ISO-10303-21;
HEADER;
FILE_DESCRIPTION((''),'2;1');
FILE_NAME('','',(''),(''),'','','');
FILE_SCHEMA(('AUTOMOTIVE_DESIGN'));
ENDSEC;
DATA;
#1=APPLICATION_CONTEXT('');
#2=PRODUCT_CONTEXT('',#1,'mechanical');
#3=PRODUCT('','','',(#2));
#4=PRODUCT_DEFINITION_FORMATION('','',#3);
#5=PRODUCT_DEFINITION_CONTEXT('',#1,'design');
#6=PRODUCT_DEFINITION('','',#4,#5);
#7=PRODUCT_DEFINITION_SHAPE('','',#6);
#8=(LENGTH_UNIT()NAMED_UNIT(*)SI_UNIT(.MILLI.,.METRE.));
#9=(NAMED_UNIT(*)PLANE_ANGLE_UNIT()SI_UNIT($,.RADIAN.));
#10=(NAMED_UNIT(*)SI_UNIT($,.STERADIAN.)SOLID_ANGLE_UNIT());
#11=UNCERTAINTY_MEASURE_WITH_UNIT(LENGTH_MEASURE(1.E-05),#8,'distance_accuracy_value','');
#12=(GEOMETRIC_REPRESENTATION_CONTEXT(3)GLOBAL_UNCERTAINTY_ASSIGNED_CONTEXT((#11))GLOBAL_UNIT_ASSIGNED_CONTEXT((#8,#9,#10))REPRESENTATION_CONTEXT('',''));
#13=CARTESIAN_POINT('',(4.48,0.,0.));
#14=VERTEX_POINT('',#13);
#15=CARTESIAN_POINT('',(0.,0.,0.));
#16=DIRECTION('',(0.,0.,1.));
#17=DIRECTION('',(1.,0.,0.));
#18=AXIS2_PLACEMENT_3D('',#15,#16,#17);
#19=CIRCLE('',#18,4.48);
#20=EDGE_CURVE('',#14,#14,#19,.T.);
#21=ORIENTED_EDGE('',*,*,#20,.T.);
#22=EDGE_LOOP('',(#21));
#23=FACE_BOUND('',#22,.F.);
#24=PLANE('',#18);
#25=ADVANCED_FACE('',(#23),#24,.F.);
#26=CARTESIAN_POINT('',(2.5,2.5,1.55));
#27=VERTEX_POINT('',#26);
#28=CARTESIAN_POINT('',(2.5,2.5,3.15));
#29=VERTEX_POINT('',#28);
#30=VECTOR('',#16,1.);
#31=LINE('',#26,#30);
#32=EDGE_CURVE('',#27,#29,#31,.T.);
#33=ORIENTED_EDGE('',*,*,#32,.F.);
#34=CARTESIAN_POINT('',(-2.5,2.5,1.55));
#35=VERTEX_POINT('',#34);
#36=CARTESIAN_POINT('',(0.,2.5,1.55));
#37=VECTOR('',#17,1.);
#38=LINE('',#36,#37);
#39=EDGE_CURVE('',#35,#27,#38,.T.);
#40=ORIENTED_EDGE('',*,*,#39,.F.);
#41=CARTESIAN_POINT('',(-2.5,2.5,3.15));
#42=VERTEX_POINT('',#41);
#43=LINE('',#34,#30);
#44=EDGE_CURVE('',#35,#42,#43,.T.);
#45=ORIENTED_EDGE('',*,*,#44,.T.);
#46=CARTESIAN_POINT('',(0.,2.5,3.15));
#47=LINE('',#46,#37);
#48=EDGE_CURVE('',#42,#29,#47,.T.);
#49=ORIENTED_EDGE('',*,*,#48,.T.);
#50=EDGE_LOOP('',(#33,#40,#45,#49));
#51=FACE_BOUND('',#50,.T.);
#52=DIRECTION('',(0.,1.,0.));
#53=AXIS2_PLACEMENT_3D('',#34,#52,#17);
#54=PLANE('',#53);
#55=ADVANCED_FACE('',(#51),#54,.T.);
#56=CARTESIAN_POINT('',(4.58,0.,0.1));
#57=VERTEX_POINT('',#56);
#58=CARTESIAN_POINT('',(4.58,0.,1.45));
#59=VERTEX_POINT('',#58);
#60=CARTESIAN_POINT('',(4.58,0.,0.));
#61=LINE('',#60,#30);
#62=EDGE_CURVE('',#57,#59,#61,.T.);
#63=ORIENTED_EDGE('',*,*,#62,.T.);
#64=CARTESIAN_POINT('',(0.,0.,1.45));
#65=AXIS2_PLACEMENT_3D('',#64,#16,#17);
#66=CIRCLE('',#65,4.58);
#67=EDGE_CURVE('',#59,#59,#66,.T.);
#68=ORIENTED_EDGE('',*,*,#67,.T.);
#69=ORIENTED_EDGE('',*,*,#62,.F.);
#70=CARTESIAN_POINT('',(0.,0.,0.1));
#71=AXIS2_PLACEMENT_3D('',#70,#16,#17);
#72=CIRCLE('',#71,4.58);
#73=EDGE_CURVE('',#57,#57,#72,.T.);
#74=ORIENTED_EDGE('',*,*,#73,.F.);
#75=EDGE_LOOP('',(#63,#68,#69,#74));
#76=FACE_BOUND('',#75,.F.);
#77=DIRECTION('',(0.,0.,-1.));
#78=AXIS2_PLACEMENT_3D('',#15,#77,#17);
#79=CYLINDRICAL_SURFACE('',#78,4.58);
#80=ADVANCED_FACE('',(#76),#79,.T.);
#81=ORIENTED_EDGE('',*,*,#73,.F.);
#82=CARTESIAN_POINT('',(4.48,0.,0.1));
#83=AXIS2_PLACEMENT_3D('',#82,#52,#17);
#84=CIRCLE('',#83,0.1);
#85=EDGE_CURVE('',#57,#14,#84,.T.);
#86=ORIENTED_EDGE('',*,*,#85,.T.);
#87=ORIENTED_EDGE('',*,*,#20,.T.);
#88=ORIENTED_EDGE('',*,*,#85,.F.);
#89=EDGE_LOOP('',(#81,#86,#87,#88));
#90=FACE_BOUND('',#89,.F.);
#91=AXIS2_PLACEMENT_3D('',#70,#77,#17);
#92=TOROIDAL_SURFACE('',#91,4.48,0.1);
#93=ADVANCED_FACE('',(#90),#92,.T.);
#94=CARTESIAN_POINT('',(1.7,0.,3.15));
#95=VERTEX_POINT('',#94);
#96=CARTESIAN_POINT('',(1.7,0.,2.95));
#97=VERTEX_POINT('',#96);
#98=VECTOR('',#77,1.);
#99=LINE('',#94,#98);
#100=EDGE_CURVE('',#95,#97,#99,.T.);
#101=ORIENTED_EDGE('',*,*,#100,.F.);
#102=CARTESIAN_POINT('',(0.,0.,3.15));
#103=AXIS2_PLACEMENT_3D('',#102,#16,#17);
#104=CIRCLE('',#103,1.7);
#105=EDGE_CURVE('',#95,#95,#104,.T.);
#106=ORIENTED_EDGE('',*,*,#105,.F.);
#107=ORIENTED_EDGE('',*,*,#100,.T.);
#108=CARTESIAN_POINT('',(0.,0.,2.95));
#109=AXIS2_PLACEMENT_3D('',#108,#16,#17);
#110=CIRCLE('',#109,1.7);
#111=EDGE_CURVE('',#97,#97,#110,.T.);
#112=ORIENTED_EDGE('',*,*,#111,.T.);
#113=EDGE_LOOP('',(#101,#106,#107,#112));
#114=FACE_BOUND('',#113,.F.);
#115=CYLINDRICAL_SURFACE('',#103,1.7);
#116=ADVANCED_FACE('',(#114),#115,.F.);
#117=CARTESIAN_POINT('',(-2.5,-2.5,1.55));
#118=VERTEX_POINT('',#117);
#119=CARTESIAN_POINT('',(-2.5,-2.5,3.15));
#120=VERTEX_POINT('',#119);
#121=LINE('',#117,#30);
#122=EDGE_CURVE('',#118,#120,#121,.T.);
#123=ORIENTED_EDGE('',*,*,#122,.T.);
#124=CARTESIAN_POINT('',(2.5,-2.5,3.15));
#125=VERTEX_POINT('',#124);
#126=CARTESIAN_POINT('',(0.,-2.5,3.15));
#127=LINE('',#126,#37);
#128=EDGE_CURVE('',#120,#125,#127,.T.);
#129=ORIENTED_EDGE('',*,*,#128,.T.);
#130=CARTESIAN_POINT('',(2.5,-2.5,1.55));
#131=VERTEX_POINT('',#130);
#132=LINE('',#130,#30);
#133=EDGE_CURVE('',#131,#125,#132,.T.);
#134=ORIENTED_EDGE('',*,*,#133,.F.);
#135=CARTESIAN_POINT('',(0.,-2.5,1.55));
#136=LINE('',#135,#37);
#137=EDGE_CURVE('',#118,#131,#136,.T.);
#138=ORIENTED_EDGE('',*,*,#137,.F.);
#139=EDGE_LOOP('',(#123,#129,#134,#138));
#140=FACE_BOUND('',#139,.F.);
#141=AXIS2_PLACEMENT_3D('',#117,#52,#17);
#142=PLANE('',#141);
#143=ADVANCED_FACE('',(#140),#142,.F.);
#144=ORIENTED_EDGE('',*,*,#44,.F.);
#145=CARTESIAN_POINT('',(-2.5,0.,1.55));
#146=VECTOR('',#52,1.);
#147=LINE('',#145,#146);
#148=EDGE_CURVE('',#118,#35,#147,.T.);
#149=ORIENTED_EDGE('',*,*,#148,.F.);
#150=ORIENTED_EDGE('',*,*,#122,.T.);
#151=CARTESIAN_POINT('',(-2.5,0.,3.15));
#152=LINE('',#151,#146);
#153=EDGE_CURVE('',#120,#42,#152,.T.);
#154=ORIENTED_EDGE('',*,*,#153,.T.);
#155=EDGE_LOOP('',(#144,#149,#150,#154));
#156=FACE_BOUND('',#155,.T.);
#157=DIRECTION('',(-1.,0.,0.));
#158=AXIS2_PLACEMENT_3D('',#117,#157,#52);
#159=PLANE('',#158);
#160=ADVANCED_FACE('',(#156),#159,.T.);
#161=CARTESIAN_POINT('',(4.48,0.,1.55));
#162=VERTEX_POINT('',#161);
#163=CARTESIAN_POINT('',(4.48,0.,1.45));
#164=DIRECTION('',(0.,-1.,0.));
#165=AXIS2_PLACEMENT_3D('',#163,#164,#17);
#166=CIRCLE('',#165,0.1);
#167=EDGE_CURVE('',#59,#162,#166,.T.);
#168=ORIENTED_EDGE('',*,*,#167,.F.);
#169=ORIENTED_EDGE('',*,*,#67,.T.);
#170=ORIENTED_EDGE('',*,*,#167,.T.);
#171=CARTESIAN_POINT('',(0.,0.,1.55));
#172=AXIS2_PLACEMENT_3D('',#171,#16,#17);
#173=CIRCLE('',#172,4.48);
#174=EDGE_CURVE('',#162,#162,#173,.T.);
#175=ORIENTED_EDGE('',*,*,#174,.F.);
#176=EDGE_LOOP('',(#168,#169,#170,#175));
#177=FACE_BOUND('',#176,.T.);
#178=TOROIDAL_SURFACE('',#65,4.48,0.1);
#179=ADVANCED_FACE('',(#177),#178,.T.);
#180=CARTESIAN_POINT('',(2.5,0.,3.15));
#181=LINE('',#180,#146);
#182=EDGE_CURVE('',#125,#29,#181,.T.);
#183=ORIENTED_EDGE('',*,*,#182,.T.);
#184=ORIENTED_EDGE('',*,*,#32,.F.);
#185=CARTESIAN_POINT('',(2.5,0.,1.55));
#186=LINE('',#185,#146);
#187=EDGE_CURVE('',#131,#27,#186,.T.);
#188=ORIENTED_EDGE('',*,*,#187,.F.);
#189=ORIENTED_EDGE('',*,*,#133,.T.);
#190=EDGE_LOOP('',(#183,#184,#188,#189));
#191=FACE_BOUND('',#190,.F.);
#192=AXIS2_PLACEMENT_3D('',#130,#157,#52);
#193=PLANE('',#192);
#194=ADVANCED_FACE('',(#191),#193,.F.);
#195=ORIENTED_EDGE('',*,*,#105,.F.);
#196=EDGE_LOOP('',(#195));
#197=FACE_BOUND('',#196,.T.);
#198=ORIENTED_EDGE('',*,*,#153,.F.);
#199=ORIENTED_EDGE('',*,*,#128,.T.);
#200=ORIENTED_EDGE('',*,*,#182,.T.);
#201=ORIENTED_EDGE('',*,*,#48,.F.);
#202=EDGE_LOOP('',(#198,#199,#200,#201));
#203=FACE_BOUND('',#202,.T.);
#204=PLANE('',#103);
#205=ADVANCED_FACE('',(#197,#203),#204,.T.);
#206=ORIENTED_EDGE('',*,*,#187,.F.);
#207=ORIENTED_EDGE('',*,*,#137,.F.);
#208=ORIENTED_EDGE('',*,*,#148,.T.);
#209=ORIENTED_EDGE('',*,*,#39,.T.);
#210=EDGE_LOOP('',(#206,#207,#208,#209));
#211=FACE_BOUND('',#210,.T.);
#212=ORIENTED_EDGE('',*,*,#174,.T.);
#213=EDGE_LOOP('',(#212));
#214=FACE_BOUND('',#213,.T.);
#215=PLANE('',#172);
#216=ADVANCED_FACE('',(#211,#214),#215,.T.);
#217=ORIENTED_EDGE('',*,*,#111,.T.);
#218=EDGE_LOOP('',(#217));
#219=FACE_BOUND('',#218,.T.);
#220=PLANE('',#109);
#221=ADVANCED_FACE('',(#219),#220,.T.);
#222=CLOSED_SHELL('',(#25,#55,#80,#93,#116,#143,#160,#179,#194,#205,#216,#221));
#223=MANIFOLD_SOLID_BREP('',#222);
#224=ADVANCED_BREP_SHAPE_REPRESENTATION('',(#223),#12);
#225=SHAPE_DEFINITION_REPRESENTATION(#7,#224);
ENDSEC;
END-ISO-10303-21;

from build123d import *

# Parameters (mm, degrees)
SKETCH_R     = 4.58
PAD_DEPTH    = 1.55
SKETCH001_W  = 5
SKETCH001_H  = 5
PAD001_DEPTH = 1.6
SKETCH002_R  = 1.7
POCKET_DEPTH = 0.2
FILLET_R     = 0.1


with BuildPart() as part:
    # Sketch → Pad (new body)
    with BuildSketch(Plane.XY):
        Circle(SKETCH_R)
    extrude(amount=PAD_DEPTH)

    # Sketch001 (on Face3 of Pad) → Pad001 (join)
    with BuildSketch(Plane.XY.offset(1.55)):
        Rectangle(SKETCH001_W, SKETCH001_H)
    extrude(amount=PAD001_DEPTH)

    # Sketch002 (on Face8 of Pad001) → Pocket (cut)
    with BuildSketch(Plane.XY.offset(3.15)):
        Circle(SKETCH002_R)
    extrude(amount=-POCKET_DEPTH, mode=Mode.SUBTRACT)

    # Fillet
    fillet_edges = [part.edges().sort_by_distance(p)[0] for p in [
        (-4.58, 0, 0),
        (-4.58, 0, 1.55),
    ]]
    fillet(fillet_edges, radius=FILLET_R)


solid = part.part
